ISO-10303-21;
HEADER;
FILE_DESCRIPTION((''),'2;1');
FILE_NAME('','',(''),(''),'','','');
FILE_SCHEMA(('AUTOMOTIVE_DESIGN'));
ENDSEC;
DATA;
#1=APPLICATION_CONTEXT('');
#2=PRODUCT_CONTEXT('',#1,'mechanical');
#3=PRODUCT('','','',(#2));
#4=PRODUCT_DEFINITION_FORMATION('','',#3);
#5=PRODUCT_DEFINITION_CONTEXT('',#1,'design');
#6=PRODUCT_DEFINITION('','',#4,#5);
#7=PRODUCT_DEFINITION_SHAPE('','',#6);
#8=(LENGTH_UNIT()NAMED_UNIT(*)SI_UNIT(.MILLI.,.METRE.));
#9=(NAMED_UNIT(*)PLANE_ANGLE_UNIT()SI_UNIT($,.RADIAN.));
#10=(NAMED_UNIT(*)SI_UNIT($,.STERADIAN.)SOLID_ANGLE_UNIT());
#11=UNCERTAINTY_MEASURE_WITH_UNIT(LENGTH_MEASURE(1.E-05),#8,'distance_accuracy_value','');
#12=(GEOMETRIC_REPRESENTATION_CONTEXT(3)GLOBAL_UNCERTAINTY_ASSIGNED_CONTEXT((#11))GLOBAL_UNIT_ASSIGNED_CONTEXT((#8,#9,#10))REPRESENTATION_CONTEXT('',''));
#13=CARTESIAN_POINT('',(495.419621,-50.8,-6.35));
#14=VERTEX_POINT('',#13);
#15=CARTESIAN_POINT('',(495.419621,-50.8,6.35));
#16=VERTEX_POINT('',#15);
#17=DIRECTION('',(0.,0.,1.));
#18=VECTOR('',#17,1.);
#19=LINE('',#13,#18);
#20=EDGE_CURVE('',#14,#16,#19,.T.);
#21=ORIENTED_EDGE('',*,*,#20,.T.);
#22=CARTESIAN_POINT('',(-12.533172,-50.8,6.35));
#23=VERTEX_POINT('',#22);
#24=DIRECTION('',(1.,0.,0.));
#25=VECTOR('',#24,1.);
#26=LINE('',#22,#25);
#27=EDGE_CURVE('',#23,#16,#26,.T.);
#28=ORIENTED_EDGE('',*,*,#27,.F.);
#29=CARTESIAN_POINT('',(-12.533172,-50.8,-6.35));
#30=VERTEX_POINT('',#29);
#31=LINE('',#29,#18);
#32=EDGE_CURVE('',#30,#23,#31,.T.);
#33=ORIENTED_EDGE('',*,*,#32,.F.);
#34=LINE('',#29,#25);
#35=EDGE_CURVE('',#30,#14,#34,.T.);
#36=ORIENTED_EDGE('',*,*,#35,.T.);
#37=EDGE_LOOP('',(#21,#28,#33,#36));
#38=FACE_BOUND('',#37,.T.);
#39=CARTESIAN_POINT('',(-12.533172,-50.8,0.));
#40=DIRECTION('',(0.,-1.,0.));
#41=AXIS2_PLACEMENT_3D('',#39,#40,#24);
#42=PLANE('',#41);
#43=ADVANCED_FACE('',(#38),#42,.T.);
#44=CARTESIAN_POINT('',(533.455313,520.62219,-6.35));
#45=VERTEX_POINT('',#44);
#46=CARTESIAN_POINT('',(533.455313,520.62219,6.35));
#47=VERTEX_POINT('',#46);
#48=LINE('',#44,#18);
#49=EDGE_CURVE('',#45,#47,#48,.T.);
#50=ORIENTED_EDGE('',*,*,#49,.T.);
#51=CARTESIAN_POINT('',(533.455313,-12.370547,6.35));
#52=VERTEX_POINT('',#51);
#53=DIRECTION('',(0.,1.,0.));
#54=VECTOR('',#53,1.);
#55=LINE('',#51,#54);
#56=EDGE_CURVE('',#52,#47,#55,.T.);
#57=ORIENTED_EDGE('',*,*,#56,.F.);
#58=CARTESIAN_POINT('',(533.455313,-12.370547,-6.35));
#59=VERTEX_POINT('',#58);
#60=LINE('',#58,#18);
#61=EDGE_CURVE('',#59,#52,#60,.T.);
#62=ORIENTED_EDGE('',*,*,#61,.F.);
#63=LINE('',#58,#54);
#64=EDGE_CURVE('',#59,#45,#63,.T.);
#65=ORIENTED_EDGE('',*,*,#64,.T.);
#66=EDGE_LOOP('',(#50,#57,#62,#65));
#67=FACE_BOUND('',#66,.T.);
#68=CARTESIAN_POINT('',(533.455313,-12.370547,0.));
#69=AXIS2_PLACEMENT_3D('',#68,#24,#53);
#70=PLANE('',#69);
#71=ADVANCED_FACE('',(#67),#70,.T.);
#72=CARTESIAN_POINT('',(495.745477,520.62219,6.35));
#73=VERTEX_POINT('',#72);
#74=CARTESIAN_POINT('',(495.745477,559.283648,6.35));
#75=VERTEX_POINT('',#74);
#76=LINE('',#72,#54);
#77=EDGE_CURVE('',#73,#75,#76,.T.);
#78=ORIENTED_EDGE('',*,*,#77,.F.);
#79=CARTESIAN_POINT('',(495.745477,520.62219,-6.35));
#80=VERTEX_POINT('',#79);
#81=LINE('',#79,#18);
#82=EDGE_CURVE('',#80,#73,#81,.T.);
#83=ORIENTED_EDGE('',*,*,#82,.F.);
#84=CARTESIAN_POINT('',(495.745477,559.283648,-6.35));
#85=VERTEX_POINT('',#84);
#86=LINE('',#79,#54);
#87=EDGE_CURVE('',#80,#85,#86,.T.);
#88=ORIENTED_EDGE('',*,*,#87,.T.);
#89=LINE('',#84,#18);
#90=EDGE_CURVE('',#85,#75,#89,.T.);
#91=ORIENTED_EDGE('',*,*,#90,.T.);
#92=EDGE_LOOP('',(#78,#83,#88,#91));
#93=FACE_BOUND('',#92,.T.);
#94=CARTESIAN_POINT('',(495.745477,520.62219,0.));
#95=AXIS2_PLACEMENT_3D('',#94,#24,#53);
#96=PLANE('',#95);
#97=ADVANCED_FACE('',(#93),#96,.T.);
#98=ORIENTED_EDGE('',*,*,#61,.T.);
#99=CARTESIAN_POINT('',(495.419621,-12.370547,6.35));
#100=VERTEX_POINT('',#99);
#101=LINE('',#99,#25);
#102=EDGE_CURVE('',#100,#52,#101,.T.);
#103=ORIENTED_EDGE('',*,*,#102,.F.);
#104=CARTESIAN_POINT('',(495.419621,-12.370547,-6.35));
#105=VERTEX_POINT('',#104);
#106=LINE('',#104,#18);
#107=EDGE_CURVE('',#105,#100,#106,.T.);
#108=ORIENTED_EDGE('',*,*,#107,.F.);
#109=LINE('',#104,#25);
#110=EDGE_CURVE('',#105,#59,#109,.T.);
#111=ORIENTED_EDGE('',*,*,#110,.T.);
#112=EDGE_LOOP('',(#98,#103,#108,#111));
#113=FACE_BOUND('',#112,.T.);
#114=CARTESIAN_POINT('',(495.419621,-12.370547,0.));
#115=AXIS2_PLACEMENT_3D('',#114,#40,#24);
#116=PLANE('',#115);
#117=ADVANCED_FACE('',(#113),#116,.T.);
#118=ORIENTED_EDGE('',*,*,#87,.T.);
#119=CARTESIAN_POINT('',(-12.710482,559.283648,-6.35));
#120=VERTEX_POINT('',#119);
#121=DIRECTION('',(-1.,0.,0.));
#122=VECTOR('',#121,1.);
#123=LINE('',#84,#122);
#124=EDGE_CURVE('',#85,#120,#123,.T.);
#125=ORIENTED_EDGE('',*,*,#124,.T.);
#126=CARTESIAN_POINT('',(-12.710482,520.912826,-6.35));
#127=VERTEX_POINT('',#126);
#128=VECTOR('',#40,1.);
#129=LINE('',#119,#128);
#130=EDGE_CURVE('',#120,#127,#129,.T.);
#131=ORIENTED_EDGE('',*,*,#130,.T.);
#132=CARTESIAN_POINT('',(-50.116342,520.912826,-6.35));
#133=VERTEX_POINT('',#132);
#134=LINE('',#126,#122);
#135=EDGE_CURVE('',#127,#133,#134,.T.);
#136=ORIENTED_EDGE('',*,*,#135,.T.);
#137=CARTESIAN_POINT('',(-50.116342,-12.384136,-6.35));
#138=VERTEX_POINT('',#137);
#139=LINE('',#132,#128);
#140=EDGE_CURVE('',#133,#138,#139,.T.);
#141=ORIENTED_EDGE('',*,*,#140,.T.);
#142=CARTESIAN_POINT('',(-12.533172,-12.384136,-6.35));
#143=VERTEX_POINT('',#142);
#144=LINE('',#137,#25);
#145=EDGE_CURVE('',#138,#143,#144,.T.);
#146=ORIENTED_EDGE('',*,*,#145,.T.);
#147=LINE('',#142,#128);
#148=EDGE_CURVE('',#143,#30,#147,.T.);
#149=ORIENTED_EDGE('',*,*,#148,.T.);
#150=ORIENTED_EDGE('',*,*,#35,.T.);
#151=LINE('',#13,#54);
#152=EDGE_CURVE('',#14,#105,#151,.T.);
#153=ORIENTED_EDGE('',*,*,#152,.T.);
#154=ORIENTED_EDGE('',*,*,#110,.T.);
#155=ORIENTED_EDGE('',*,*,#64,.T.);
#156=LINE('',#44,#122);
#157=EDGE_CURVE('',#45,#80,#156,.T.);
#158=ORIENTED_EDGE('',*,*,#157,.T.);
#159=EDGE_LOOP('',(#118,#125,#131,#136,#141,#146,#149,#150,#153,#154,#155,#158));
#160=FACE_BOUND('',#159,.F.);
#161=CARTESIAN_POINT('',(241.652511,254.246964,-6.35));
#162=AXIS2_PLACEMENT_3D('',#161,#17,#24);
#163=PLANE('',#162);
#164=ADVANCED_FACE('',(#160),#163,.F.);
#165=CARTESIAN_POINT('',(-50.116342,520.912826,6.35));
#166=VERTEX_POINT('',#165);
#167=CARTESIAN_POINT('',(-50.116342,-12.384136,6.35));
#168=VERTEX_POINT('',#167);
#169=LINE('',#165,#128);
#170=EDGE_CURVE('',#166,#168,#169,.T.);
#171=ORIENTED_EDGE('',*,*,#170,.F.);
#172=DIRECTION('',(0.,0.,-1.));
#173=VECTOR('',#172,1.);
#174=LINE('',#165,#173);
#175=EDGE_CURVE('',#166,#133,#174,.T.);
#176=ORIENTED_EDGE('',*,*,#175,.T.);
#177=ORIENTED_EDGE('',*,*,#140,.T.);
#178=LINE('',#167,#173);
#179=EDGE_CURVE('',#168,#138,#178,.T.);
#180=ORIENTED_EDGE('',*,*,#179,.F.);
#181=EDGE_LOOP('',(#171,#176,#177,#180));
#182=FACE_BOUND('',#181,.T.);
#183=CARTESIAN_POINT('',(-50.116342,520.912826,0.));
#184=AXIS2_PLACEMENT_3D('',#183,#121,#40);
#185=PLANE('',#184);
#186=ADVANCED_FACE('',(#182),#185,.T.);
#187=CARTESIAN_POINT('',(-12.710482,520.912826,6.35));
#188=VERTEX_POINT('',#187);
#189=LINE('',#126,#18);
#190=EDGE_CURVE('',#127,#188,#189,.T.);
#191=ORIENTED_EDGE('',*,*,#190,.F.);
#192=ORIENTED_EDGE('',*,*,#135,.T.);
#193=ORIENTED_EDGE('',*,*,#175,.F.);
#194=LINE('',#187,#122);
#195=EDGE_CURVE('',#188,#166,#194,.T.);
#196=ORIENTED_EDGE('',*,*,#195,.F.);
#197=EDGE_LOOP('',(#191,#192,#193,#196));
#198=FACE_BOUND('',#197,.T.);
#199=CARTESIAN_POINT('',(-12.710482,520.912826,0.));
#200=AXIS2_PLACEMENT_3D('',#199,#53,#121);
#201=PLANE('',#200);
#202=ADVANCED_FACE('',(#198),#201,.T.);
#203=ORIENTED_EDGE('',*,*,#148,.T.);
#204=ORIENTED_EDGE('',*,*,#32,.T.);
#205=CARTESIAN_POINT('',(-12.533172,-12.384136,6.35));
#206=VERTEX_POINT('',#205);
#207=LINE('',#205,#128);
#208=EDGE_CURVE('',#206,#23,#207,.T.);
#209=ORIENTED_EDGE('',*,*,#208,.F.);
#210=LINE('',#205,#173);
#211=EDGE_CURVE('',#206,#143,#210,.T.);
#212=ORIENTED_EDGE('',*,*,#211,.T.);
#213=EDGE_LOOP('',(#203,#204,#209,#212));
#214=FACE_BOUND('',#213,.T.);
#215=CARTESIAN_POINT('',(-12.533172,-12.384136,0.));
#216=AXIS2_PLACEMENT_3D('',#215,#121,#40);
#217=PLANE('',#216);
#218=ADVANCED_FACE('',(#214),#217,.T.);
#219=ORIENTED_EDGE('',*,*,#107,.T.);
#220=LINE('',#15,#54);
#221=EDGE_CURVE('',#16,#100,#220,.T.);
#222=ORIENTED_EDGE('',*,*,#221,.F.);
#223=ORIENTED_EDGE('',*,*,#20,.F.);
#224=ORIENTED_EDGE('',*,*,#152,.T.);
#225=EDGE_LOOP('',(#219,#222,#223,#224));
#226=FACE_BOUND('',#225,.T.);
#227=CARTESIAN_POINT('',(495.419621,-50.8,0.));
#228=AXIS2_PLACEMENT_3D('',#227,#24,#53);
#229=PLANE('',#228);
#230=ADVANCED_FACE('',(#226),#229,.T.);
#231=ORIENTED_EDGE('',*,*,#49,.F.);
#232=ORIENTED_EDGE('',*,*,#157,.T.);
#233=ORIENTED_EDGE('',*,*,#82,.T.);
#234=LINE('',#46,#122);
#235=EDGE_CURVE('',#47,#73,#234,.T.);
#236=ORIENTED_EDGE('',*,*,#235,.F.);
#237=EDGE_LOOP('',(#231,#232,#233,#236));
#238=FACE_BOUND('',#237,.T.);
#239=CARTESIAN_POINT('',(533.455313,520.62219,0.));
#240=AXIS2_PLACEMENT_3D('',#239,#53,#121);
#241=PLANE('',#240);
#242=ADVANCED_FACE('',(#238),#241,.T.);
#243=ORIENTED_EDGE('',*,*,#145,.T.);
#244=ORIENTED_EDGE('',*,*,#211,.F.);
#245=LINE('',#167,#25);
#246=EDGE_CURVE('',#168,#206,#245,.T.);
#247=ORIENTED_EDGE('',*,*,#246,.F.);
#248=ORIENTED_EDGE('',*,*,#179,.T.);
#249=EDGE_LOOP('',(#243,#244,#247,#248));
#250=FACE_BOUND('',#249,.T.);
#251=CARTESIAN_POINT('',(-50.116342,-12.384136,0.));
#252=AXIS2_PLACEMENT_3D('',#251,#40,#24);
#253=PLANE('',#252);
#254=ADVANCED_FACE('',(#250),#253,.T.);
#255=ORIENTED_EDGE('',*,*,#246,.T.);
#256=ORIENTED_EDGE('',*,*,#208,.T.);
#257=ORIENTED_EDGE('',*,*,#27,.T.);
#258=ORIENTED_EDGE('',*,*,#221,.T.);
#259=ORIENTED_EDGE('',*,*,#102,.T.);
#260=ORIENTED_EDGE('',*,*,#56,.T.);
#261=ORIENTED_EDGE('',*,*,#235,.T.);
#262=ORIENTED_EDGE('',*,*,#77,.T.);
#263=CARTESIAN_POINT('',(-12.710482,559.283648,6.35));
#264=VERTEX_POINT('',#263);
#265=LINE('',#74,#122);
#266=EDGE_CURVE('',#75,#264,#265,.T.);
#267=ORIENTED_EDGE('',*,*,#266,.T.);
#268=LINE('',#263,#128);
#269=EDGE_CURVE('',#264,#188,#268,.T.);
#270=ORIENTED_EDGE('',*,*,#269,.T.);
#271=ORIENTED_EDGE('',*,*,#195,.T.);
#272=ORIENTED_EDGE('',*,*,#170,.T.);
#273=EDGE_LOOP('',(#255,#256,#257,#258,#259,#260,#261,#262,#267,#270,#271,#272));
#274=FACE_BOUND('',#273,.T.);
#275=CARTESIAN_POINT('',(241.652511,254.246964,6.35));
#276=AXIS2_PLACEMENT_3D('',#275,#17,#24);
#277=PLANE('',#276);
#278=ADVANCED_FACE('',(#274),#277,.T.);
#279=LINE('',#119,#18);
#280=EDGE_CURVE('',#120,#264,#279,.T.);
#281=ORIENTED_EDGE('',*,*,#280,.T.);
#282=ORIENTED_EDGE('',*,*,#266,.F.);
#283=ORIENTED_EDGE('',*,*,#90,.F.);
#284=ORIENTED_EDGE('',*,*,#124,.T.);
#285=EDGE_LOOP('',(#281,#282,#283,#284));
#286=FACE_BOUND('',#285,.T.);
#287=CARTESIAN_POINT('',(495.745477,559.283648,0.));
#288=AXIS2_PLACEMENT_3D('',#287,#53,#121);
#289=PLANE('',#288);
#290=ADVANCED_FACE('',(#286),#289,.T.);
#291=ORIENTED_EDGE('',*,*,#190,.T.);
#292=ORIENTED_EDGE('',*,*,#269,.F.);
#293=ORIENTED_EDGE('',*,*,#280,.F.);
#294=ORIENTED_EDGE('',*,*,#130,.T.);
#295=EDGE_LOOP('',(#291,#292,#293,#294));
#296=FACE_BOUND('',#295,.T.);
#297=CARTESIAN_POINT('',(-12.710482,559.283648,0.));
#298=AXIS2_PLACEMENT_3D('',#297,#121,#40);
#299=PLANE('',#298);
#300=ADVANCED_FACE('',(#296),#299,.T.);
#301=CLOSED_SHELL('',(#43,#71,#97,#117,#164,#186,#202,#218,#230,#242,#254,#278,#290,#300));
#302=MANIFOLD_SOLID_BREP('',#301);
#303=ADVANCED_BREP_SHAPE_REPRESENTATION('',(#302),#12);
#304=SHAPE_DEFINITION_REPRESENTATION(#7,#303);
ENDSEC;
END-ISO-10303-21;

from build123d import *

# Parameters (mm, degrees)
F1_DEPTH = 6.35


with BuildPart() as f1:
    # F0 (on Top) → F1 (new body, symmetric)
    with BuildSketch(Plane.XY):
        Polygon((-12.533172, -12.384136), (-12.533172, -50.8), (0, -50.8), (495.419621, -50.8), (495.419621, -12.370547), (533.455313, -12.370547), (533.455313, 520.62219), (495.745477, 520.62219), (495.745477, 559.283648), (0, 559.283648), (-12.710482, 559.283648), (-12.710482, 520.912826), (-50.116342, 520.912826), (-50.116342, 508.483648), (-50.116342, 0), (-50.116342, -12.384136), align=None)
    extrude(amount=F1_DEPTH, both=True)


solid = f1.part
